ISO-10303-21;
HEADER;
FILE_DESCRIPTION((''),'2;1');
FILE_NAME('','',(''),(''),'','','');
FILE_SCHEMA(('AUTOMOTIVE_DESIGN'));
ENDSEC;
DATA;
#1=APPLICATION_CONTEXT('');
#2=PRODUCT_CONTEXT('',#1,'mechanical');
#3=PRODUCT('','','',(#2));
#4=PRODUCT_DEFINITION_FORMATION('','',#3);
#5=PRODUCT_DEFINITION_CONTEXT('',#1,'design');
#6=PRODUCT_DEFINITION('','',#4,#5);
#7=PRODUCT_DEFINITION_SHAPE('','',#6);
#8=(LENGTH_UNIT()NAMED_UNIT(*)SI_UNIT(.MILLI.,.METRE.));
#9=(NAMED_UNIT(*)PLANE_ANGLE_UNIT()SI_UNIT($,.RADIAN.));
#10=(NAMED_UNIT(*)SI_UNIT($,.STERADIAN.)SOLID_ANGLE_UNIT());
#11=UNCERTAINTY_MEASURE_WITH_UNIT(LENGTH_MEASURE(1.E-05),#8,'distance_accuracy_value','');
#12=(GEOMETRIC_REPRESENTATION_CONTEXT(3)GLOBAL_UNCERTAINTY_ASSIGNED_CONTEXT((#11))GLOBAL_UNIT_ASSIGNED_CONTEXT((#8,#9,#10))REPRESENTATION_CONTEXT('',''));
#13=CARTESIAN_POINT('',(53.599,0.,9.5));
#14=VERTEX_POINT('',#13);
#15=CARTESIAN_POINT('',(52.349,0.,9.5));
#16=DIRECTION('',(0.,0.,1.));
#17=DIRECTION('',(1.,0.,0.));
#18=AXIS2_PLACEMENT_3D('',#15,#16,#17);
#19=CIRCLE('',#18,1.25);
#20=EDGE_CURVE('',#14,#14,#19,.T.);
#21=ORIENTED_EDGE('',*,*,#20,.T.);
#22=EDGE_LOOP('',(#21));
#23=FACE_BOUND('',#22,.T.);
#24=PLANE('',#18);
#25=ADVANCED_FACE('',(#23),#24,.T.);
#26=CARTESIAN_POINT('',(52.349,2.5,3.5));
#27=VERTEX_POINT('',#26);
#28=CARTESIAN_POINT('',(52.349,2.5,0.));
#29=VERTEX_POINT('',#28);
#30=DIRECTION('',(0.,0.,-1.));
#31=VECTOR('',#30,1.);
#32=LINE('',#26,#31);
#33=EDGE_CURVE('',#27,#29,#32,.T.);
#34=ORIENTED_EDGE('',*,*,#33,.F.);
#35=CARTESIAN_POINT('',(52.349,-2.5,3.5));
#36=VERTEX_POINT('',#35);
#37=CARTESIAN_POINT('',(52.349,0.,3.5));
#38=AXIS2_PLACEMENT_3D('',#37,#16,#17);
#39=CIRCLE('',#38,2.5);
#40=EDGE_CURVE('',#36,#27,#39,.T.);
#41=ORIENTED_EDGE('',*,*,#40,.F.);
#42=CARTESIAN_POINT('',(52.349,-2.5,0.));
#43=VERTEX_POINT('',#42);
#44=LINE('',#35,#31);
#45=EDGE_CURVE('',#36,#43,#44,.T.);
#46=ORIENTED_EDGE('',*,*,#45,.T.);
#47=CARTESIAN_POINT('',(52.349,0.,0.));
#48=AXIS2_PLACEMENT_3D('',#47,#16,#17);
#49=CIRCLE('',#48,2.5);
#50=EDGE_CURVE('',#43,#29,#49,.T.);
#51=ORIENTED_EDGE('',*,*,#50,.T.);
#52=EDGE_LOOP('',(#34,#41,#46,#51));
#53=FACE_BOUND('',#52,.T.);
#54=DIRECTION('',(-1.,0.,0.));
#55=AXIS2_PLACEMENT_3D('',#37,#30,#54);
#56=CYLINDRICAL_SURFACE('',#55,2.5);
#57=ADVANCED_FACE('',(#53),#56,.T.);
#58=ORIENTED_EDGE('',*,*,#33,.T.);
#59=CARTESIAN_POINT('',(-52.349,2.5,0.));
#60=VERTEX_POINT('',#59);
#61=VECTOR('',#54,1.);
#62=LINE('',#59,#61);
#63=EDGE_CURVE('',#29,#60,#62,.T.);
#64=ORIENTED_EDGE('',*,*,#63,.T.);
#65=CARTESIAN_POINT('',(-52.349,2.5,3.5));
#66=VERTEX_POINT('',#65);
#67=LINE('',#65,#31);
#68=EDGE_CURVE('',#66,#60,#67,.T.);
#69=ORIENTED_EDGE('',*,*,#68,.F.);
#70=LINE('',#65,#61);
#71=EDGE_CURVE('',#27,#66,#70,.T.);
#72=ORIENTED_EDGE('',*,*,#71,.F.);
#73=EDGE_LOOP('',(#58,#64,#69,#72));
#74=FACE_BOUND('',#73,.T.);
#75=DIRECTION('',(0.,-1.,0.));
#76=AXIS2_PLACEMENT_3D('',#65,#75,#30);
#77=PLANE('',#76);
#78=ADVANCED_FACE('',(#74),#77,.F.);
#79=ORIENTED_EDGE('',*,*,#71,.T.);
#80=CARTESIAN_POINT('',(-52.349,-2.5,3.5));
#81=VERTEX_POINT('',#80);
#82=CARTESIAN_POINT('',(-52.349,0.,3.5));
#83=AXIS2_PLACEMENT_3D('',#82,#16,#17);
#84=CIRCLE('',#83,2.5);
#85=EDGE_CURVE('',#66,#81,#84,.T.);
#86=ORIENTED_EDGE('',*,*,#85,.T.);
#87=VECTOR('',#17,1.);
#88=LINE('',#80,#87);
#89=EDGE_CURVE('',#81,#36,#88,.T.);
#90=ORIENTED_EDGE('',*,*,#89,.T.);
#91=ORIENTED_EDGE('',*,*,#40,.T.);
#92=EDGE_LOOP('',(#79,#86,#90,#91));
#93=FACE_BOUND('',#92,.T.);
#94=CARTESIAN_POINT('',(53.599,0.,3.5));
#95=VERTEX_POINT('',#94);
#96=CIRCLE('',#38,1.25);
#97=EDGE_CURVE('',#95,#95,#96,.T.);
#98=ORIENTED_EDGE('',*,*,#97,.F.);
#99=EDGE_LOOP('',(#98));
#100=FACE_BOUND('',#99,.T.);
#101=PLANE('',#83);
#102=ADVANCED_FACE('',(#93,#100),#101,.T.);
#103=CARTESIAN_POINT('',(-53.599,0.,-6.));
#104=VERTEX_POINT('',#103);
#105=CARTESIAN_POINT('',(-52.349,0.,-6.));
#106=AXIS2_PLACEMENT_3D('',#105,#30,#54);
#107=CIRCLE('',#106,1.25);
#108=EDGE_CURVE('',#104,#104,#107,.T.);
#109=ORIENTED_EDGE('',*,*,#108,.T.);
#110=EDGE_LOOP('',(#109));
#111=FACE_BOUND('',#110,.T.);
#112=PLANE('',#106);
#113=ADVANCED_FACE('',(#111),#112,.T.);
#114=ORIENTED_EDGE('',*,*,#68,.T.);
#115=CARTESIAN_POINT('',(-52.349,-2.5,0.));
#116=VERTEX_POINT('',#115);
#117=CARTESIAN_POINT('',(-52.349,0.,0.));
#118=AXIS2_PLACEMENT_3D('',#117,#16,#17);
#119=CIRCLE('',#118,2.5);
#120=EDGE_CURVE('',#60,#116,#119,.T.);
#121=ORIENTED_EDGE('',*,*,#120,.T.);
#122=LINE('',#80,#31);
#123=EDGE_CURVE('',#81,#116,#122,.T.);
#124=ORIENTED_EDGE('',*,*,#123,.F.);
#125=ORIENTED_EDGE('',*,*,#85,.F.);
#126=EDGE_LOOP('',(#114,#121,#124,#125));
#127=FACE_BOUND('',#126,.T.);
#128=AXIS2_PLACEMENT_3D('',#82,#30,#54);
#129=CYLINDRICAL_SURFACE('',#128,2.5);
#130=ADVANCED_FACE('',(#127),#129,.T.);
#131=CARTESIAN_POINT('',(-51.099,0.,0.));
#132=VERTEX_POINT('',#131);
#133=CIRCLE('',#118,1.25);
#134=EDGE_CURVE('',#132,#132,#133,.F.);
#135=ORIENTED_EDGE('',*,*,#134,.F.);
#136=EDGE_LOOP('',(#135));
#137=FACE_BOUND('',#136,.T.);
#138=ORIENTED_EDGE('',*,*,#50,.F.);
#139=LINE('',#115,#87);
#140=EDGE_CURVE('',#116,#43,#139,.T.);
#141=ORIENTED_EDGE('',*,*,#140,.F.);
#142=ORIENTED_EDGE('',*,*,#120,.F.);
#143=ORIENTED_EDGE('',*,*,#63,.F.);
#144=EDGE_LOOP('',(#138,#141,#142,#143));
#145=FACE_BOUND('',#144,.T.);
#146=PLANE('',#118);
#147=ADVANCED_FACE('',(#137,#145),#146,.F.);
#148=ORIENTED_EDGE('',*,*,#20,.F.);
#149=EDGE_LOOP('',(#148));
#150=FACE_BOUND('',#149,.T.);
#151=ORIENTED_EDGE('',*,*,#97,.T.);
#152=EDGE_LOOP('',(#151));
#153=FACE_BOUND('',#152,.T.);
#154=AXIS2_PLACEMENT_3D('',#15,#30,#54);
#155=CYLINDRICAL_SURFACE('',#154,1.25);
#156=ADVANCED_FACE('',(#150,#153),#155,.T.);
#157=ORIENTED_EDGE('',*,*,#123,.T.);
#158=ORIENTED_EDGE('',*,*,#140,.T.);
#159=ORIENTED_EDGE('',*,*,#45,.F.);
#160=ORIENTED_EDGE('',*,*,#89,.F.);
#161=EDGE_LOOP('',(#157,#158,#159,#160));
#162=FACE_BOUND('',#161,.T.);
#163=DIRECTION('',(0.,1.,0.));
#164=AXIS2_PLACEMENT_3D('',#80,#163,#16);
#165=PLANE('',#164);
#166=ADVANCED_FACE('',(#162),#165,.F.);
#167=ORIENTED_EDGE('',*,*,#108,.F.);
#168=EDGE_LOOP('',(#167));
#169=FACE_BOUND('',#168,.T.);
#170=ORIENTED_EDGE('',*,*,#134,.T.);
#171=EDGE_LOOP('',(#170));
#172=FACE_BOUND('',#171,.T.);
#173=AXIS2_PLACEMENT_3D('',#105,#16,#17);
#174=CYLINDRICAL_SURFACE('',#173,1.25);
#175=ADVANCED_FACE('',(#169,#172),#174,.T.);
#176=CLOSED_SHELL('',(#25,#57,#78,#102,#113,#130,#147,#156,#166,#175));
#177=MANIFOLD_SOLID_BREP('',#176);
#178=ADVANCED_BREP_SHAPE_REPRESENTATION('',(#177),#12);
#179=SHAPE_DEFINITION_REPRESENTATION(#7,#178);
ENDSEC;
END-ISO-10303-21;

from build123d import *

# Parameters (mm, degrees)
BOSS_EXTRUDE1_DEPTH = 3.5
SKETCH2_R           = 1.25
BOSS_EXTRUDE2_DEPTH = 6
SKETCH3_R           = 1.25
BOSS_EXTRUDE3_DEPTH = 6


with BuildPart() as part:
    # Sketch1 → Boss-Extrude1 (new body)
    with BuildSketch(Plane.XY):
        with BuildLine():
            Line((-52.349, 2.5), (52.349, 2.5))
            ThreePointArc((52.349, 2.5), (54.849, 0), (52.349, -2.5))
            Line((52.349, -2.5), (-52.349, -2.5))
            ThreePointArc((-52.349, -2.5), (-54.849, 0), (-52.349, 2.5))
        make_face()
    extrude(amount=BOSS_EXTRUDE1_DEPTH)

    # Sketch2 → Boss-Extrude2 (add)
    with BuildSketch(Plane.XY.offset(3.5)):
        with Locations((52.349, 0)):
            Circle(SKETCH2_R)
    extrude(amount=BOSS_EXTRUDE2_DEPTH)

    # Sketch3 → Boss-Extrude3 (add)
    with BuildSketch(Plane(origin=(0, 0, 0), x_dir=(-1, 0, 0), z_dir=(0, 0, -1))):
        with Locations(Location((52.349, 0, 0), (0, 0, 180))):
            Circle(SKETCH3_R)
    extrude(amount=BOSS_EXTRUDE3_DEPTH)


solid = part.part
